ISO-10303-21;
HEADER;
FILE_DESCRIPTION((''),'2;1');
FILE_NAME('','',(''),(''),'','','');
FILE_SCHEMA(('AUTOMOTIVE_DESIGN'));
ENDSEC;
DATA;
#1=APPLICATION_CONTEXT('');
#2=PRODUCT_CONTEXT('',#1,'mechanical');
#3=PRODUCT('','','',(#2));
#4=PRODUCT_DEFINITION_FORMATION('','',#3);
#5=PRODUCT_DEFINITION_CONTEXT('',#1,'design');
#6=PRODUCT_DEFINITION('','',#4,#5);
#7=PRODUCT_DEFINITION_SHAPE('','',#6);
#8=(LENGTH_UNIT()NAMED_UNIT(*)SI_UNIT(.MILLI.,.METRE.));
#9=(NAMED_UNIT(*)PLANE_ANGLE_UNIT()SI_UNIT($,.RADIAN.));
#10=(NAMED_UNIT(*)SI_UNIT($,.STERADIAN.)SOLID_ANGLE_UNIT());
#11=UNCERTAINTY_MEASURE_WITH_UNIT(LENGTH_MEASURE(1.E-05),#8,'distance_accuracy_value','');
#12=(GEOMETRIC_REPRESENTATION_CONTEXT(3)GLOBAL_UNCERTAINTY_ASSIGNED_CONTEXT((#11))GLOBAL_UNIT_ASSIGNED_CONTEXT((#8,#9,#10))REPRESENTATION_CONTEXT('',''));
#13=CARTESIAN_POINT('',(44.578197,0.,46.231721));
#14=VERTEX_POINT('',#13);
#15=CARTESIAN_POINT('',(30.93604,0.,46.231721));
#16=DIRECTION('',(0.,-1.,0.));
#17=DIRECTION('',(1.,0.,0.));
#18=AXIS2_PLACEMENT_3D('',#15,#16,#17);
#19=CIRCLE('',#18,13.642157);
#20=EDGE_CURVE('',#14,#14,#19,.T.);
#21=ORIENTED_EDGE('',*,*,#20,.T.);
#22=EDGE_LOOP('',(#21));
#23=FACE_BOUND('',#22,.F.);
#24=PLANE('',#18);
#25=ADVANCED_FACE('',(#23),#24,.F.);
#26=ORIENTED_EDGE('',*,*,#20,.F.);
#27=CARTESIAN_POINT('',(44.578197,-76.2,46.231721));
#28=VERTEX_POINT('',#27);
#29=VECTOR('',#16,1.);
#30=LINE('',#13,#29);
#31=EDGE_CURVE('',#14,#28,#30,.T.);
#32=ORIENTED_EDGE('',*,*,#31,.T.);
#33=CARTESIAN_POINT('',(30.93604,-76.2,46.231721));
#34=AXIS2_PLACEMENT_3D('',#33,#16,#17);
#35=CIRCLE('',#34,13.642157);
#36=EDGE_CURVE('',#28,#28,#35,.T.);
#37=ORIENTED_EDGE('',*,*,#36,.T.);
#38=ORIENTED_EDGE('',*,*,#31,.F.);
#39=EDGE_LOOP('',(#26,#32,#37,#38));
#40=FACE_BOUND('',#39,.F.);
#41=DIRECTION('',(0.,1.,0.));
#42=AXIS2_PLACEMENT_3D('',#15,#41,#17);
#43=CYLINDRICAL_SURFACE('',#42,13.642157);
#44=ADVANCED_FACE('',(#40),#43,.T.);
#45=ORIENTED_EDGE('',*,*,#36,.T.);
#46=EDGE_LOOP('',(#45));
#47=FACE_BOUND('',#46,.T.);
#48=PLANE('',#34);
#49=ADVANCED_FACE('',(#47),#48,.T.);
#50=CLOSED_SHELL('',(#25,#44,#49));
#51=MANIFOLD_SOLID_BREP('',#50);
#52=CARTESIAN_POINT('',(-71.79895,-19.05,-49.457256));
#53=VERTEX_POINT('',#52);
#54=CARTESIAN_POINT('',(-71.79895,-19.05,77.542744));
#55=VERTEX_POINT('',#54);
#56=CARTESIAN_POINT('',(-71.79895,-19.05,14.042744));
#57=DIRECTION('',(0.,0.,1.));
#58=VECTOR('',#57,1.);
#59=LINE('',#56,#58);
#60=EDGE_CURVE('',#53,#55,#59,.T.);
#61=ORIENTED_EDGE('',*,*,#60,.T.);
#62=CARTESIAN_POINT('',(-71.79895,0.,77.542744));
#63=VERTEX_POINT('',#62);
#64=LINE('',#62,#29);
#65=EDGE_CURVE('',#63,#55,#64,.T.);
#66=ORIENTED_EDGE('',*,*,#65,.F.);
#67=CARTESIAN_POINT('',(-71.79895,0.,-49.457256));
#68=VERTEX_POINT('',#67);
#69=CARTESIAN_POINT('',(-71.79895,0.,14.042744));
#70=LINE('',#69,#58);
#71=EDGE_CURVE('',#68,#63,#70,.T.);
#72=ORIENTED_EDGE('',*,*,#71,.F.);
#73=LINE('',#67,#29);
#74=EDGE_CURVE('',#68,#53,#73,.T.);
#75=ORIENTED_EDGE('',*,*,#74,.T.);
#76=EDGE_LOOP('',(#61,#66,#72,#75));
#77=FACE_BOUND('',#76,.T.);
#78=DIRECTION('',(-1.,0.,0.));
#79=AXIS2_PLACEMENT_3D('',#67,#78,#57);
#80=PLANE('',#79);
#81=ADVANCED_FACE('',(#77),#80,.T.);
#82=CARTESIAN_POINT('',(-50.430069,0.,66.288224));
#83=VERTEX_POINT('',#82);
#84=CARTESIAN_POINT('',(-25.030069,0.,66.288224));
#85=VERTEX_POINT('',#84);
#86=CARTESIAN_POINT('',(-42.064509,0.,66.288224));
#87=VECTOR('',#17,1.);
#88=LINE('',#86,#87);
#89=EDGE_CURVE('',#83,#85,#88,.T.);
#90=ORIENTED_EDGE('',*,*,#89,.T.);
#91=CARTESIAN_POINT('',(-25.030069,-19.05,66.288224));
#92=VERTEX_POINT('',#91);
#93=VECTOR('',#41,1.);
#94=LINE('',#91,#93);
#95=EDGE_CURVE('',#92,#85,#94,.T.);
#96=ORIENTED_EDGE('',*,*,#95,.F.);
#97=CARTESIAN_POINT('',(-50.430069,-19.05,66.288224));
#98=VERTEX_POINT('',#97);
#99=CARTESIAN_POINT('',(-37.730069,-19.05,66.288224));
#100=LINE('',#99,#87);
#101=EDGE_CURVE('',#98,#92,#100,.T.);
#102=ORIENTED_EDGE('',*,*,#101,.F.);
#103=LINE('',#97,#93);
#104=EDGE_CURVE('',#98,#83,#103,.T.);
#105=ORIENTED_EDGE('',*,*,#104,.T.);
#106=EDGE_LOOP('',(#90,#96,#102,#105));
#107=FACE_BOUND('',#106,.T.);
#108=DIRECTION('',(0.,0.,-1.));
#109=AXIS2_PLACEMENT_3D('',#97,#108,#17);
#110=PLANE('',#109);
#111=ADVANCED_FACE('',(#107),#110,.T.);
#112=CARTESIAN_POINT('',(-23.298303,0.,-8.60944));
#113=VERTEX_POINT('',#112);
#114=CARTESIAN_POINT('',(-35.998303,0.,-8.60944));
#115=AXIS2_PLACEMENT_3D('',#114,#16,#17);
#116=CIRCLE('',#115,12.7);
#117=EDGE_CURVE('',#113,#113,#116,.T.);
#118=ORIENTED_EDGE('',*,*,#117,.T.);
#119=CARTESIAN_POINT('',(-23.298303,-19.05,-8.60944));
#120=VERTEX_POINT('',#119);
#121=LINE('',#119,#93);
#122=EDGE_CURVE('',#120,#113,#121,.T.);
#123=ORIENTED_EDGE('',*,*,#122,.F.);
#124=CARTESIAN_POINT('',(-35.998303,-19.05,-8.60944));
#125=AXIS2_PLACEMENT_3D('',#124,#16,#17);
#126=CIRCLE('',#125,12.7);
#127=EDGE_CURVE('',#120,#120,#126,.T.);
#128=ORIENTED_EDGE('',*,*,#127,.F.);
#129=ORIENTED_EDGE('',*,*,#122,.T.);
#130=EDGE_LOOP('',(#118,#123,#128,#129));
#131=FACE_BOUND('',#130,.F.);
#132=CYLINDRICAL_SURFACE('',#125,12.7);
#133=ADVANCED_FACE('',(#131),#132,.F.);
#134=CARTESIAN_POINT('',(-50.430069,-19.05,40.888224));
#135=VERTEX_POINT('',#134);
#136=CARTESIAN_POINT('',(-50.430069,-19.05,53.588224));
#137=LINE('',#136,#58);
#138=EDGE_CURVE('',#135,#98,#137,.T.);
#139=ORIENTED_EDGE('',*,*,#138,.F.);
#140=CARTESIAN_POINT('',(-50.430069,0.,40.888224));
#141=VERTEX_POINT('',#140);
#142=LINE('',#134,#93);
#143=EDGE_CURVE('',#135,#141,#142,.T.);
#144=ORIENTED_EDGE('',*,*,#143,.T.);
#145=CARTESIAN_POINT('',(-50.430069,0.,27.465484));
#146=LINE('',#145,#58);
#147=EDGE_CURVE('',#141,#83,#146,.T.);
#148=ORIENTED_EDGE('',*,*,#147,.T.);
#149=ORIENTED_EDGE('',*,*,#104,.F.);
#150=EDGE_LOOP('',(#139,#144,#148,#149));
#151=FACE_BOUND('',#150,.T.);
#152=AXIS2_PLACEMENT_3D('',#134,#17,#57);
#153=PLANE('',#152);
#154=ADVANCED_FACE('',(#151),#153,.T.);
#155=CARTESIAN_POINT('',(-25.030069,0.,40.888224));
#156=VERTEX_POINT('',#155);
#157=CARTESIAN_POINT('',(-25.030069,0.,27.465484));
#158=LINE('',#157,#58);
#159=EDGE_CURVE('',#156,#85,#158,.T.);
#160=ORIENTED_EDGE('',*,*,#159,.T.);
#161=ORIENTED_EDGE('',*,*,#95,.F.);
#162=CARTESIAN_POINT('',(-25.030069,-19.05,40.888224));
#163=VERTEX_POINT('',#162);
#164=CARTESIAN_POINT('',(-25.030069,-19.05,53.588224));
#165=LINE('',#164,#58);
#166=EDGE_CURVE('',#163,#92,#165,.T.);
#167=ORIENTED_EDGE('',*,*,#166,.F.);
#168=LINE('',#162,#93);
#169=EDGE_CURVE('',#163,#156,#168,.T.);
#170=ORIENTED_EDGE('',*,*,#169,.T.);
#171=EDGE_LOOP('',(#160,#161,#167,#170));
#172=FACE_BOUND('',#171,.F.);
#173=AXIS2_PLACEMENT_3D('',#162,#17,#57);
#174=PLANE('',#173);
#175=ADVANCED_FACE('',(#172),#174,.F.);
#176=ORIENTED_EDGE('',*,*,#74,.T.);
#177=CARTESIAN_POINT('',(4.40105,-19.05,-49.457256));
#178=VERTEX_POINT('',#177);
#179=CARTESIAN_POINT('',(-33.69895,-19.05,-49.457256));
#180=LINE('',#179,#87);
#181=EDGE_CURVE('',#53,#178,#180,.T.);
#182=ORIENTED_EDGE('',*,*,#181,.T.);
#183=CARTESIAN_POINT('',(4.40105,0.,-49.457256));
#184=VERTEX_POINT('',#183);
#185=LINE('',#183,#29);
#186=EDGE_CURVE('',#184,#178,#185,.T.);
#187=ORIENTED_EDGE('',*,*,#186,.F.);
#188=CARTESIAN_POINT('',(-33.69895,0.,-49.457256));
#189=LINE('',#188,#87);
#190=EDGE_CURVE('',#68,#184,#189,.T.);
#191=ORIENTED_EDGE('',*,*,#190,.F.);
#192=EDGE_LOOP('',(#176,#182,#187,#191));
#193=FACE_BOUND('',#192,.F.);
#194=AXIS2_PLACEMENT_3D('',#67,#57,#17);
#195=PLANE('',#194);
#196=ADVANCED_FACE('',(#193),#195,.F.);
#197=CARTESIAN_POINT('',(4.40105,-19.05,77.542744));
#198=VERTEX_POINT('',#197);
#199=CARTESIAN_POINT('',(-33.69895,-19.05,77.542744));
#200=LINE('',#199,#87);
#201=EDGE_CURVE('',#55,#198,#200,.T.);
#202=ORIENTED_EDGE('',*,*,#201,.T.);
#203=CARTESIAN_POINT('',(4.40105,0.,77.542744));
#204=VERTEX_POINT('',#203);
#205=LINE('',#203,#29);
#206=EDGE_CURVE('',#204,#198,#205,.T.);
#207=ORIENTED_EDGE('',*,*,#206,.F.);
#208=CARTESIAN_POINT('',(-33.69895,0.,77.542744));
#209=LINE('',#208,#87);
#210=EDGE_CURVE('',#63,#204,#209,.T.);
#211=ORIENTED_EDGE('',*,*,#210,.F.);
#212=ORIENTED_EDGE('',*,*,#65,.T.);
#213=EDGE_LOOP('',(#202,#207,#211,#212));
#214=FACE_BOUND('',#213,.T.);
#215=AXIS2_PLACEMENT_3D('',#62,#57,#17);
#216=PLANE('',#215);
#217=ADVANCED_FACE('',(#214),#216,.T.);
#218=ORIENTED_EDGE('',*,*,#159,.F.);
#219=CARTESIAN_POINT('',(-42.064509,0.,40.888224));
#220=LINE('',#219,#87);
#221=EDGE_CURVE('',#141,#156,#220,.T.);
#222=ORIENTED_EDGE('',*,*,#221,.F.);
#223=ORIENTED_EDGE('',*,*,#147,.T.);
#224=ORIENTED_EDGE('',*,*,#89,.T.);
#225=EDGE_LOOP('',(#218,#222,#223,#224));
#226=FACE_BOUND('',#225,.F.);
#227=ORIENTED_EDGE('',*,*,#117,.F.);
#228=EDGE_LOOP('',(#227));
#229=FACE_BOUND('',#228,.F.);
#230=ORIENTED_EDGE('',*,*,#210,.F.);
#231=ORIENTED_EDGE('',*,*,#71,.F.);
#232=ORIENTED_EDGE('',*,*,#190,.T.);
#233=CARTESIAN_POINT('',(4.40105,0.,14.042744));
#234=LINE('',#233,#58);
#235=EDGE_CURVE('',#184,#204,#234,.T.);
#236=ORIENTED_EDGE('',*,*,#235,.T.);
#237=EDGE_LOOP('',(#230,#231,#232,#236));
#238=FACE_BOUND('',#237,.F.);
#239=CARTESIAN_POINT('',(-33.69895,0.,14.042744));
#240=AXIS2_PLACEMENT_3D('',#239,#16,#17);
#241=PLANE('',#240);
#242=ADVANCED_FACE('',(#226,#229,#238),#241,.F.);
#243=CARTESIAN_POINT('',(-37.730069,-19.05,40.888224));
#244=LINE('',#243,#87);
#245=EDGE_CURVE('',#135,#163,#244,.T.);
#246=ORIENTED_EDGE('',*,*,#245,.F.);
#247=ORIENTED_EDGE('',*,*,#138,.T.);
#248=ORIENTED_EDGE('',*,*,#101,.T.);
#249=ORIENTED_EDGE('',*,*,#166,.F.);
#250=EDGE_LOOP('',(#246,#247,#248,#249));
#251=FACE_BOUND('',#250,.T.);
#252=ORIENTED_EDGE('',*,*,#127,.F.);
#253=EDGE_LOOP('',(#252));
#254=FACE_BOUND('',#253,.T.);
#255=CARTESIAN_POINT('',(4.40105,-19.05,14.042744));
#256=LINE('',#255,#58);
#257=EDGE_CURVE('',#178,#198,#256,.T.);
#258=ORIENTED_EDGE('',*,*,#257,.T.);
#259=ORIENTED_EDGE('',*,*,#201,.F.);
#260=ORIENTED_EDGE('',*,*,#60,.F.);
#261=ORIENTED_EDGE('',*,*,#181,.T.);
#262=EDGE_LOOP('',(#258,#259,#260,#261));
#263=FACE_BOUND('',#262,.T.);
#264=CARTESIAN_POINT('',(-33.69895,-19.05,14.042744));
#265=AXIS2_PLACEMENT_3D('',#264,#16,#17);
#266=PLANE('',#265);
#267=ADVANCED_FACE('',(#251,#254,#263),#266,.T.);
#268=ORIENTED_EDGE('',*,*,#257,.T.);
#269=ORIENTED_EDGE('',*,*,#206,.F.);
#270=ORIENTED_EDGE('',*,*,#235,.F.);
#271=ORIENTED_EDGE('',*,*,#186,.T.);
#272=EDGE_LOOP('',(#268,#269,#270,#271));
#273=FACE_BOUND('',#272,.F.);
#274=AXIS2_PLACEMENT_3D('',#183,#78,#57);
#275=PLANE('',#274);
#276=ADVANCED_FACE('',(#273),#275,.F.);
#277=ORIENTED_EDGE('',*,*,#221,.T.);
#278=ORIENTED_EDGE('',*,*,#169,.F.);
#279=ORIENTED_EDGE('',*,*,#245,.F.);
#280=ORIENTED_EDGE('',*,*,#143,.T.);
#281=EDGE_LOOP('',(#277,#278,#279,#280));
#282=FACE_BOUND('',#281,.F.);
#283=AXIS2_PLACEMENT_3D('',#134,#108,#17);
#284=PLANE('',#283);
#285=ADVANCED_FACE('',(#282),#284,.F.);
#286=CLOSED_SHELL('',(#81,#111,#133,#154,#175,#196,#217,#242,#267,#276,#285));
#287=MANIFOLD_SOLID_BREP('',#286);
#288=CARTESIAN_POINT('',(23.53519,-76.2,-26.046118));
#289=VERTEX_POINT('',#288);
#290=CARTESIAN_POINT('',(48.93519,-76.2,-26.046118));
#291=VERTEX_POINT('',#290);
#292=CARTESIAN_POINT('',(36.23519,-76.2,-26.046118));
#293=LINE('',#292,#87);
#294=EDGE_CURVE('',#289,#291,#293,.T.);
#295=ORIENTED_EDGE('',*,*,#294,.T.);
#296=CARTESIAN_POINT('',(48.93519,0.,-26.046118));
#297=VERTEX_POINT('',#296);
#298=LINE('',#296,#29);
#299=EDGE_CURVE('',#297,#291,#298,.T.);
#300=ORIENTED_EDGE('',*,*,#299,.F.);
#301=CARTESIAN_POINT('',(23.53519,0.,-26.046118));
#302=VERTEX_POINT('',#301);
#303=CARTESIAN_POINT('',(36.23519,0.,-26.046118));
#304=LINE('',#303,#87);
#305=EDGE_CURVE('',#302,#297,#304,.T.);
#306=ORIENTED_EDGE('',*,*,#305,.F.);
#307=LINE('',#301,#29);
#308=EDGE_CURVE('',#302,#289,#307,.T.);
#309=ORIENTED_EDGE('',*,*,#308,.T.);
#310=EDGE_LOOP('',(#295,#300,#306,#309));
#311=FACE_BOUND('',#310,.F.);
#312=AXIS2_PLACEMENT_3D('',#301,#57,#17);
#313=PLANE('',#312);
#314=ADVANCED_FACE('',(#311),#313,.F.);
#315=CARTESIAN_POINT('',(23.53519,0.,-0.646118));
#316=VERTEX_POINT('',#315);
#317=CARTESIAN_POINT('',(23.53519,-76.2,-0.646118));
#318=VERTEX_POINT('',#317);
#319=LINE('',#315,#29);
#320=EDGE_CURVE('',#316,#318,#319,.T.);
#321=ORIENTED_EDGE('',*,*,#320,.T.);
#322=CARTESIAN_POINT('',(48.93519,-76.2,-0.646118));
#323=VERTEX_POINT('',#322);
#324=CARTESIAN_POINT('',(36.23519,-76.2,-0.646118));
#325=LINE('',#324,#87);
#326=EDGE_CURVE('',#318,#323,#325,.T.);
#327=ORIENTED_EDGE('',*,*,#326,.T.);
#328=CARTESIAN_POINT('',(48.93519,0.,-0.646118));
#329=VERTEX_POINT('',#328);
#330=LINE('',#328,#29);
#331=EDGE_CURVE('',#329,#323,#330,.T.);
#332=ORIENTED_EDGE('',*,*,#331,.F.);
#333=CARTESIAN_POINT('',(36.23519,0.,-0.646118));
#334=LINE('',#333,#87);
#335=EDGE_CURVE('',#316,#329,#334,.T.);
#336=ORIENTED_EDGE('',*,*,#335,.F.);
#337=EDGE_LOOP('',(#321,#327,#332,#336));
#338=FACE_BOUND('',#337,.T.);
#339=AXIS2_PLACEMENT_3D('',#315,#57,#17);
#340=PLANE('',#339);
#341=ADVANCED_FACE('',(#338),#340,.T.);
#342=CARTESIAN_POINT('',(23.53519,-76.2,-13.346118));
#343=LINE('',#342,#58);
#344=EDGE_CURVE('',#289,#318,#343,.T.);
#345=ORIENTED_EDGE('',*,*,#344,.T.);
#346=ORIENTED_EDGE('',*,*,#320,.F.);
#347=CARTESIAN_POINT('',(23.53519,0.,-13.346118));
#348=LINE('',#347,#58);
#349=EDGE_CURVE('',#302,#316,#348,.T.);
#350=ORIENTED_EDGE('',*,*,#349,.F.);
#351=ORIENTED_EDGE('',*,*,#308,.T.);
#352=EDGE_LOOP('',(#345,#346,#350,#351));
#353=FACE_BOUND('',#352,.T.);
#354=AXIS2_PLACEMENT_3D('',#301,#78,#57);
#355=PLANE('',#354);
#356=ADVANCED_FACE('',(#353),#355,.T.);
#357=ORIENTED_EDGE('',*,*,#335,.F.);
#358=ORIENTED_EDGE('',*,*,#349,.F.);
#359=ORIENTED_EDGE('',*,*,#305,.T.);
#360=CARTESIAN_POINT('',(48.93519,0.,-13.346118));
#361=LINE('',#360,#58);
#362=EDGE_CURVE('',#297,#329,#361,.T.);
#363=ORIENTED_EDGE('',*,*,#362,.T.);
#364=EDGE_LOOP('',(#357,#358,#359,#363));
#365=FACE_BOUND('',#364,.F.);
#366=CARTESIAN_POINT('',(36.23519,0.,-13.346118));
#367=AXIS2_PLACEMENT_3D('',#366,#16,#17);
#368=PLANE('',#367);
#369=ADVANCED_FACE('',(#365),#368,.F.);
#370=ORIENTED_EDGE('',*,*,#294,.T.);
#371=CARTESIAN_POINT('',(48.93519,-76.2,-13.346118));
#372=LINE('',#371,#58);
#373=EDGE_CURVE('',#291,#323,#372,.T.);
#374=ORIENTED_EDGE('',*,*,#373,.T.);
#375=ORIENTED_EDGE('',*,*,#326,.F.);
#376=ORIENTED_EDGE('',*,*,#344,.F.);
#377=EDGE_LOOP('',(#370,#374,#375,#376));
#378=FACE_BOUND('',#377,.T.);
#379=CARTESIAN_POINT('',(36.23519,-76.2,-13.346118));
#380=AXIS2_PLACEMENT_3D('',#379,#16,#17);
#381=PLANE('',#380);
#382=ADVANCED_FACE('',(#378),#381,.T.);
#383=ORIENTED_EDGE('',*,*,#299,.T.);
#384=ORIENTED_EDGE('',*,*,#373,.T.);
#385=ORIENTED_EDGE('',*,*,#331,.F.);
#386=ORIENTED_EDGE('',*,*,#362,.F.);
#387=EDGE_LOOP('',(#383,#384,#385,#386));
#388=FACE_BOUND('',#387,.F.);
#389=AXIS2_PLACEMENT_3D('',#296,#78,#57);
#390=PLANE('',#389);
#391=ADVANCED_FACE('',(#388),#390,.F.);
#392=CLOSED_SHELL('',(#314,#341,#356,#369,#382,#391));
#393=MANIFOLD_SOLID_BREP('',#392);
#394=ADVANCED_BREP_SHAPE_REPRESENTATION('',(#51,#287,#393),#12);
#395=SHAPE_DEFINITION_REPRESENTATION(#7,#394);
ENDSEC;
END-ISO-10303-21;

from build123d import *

# Parameters (mm, degrees)
F0_W     = 76.2
F0_H     = 127
F1_DEPTH = 19.05
F2_W     = 25.4
F2_H     = 25.4
F3_DEPTH = 25.4
F4_R     = 12.7
F5_DEPTH = 25.4
F6_R     = 13.642157
F7_DEPTH = 76.2
F8_W     = 25.4
F8_H     = 25.4
F9_DEPTH = 76.2


with BuildPart() as f1:
    # F0 (on Front) → F1 (new body)
    with BuildSketch(Plane.XZ):
        with Locations((-33.69895, 14.042744)):
            Rectangle(F0_W, F0_H)
    extrude(amount=F1_DEPTH)

    # F2 (on face) → F3 (cut)
    with BuildSketch(Plane.XZ.offset(19.05)):
        with Locations((-37.730069, 53.588224)):
            Rectangle(F2_W, F2_H)
    extrude(amount=-F3_DEPTH, mode=Mode.SUBTRACT)

    # F4 (on face) → F5 (cut)
    with BuildSketch(Plane.XZ.offset(19.05)):
        with Locations((-35.998303, -8.60944)):
            Circle(F4_R)
    extrude(amount=-F5_DEPTH, mode=Mode.SUBTRACT)


with BuildPart() as f7:
    # F6 (on Front) → F7 (new body)
    with BuildSketch(Plane.XZ):
        with Locations((30.93604, 46.231721)):
            Circle(F6_R)
    extrude(amount=F7_DEPTH)


with BuildPart() as f9:
    # F8 (on Front) → F9 (new body)
    with BuildSketch(Plane.XZ):
        with Locations((36.23519, -13.346118)):
            Rectangle(F8_W, F8_H)
    extrude(amount=F9_DEPTH)


solid = Compound([f1.part, f7.part, f9.part])
